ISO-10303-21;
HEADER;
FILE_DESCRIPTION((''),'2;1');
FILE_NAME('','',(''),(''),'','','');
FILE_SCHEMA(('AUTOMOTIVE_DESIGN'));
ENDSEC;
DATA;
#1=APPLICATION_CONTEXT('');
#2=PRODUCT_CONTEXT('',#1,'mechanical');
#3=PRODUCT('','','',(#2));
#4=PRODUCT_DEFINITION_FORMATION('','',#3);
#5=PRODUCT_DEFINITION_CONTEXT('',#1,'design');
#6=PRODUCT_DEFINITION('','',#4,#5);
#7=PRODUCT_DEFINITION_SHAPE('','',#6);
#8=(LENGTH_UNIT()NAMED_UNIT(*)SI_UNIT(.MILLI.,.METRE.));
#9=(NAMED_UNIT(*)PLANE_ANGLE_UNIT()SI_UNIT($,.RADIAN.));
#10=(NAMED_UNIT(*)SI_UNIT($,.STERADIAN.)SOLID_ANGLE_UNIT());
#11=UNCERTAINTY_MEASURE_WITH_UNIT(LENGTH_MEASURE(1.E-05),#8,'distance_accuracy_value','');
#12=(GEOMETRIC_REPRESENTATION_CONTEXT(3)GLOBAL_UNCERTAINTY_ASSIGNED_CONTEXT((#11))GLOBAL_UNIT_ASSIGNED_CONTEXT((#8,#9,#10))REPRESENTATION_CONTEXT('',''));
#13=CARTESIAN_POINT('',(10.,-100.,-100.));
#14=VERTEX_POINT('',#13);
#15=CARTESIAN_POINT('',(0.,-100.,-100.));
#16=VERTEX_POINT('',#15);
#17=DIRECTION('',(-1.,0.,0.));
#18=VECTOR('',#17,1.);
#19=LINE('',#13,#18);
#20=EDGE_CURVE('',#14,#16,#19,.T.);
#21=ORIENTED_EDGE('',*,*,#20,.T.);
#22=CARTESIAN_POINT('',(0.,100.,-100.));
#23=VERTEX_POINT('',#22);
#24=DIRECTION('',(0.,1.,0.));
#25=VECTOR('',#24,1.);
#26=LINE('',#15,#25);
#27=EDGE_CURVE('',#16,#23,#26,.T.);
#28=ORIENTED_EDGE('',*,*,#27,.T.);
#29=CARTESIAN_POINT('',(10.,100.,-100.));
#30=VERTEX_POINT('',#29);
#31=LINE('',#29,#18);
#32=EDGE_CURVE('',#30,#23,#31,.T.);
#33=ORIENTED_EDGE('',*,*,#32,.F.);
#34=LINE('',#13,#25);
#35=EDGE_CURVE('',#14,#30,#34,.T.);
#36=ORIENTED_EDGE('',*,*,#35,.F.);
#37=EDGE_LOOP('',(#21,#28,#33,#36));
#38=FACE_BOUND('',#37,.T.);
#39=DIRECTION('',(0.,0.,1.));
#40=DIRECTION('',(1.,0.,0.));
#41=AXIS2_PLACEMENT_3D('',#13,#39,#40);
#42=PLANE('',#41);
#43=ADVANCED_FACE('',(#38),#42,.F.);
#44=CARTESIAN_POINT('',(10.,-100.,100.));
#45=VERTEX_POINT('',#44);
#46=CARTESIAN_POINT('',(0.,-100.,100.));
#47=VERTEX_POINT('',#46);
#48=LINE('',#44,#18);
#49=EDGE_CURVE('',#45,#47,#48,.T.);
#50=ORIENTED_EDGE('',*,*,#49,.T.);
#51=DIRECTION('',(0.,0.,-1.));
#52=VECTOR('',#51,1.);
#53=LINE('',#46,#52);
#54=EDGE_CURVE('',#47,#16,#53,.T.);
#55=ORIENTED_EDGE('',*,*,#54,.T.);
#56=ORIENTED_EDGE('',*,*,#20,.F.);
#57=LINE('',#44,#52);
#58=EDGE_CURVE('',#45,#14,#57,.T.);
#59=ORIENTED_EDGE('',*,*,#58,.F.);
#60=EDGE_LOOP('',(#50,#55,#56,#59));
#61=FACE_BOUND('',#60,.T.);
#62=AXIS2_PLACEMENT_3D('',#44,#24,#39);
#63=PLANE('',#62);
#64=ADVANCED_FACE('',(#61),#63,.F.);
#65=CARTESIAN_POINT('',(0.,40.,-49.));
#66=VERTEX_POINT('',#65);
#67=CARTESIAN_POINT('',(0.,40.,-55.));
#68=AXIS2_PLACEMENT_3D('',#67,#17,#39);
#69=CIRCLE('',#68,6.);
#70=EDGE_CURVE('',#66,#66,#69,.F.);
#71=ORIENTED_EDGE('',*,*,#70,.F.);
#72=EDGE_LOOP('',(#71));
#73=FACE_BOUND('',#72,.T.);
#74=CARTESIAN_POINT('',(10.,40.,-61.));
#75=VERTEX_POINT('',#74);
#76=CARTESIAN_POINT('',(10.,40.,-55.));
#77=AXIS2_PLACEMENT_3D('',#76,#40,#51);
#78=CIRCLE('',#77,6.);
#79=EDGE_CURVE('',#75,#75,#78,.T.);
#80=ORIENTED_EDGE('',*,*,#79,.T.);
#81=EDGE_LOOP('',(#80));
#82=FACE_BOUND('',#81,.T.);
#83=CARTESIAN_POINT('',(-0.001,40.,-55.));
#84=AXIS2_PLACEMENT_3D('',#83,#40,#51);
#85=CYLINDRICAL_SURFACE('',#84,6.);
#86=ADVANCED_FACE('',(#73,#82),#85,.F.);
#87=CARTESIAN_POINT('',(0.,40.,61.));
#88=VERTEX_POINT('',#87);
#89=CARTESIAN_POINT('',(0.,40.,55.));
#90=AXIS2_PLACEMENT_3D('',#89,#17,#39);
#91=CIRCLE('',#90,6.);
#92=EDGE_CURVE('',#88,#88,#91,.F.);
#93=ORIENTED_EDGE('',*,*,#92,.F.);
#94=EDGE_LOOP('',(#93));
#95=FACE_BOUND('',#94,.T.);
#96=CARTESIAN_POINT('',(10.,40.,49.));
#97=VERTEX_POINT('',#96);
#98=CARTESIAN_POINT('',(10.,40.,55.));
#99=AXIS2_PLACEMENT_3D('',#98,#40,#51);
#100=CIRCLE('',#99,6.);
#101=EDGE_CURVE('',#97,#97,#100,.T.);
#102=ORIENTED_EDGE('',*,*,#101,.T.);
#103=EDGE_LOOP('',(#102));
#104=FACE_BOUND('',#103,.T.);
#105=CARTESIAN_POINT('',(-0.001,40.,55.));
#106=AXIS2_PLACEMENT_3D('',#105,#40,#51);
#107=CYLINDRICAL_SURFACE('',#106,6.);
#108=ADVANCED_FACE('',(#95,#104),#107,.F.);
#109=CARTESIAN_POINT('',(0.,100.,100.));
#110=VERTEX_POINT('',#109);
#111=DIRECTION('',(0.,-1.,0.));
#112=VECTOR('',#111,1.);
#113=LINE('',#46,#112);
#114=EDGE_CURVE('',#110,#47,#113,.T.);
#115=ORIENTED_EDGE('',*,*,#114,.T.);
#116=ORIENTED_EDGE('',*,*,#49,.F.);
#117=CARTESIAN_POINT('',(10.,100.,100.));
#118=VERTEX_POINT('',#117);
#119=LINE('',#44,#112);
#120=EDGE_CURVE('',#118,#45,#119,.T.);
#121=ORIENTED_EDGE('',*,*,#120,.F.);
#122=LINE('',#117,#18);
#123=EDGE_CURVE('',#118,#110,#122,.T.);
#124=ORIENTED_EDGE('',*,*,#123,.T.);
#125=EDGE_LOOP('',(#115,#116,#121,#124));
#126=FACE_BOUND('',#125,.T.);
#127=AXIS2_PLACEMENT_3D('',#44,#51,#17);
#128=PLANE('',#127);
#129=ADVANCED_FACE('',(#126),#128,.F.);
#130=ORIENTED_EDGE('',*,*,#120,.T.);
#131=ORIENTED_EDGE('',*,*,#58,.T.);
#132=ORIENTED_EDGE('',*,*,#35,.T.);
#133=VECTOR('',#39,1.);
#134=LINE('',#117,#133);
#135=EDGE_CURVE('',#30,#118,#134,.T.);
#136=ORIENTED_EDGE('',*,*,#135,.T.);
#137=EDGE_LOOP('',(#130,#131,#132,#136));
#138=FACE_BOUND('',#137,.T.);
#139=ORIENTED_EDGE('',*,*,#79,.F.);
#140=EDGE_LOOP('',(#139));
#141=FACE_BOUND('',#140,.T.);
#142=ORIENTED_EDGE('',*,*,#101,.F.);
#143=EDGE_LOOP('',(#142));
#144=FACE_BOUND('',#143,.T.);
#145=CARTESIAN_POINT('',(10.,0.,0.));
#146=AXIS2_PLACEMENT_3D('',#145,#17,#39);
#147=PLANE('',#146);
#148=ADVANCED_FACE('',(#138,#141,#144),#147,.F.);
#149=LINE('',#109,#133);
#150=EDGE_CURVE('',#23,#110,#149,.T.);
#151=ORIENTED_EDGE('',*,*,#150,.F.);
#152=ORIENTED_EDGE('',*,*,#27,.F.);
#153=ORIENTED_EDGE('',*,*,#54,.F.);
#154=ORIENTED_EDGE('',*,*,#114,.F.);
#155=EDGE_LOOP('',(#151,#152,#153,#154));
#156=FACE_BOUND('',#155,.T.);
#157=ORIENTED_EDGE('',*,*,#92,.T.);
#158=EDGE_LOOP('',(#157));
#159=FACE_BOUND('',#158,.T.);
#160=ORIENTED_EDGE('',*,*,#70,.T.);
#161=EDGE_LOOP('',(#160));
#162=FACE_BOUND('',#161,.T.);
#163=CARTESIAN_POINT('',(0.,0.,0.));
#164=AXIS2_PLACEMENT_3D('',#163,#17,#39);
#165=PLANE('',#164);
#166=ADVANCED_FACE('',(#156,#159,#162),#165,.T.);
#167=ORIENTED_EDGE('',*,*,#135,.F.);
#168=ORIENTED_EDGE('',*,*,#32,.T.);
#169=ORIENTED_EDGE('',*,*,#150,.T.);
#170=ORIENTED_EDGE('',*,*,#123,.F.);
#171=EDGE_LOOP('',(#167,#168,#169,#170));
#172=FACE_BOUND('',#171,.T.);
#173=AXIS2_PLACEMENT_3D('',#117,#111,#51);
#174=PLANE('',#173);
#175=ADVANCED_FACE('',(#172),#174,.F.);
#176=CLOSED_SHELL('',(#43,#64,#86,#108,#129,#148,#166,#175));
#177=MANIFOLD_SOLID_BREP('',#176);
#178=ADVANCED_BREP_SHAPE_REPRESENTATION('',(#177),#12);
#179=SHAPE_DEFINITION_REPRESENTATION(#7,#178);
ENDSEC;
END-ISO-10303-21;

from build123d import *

# Parameters (mm, degrees)
SKETCH1_W           = 200
SKETCH1_H           = 200
BOSS_EXTRUDE1_DEPTH = 10
CUT_EXTRUDE1_REACH  = 143.774
SKETCH2_R           = 6


with BuildPart() as part:
    # Sketch1 → Boss-Extrude1 (new body)
    with BuildSketch(Plane(origin=(0, 0, 0), x_dir=(0, 0, -1), z_dir=(1, 0, 0))):
        Rectangle(SKETCH1_W, SKETCH1_H)
    extrude(amount=BOSS_EXTRUDE1_DEPTH)

    # Sketch2 → Cut-Extrude1 (cut, up to next)
    with BuildSketch(Plane(origin=(10, 0, 0), x_dir=(0, 0, -1), z_dir=(1, 0, 0)), mode=Mode.PRIVATE) as cut_extrude1_sk1:
        with Locations((-55, 40)):
            Circle(SKETCH2_R)
    cut_extrude1_tool1 = extrude(cut_extrude1_sk1.sketch, amount=-CUT_EXTRUDE1_REACH, mode=Mode.PRIVATE) & part.part
    # Sketch2 → Cut-Extrude1 (cut, up to next)
    with BuildSketch(Plane(origin=(10, 0, 0), x_dir=(0, 0, -1), z_dir=(1, 0, 0)), mode=Mode.PRIVATE) as cut_extrude1_sk2:
        with Locations((55, 40)):
            Circle(SKETCH2_R)
    cut_extrude1_tool2 = extrude(cut_extrude1_sk2.sketch, amount=-CUT_EXTRUDE1_REACH, mode=Mode.PRIVATE) & part.part
    add(cut_extrude1_tool1.solids().sort_by_distance((10, 40, 55))[0], mode=Mode.SUBTRACT)
    add(cut_extrude1_tool2.solids().sort_by_distance((10, 40, -55))[0], mode=Mode.SUBTRACT)


solid = part.part
